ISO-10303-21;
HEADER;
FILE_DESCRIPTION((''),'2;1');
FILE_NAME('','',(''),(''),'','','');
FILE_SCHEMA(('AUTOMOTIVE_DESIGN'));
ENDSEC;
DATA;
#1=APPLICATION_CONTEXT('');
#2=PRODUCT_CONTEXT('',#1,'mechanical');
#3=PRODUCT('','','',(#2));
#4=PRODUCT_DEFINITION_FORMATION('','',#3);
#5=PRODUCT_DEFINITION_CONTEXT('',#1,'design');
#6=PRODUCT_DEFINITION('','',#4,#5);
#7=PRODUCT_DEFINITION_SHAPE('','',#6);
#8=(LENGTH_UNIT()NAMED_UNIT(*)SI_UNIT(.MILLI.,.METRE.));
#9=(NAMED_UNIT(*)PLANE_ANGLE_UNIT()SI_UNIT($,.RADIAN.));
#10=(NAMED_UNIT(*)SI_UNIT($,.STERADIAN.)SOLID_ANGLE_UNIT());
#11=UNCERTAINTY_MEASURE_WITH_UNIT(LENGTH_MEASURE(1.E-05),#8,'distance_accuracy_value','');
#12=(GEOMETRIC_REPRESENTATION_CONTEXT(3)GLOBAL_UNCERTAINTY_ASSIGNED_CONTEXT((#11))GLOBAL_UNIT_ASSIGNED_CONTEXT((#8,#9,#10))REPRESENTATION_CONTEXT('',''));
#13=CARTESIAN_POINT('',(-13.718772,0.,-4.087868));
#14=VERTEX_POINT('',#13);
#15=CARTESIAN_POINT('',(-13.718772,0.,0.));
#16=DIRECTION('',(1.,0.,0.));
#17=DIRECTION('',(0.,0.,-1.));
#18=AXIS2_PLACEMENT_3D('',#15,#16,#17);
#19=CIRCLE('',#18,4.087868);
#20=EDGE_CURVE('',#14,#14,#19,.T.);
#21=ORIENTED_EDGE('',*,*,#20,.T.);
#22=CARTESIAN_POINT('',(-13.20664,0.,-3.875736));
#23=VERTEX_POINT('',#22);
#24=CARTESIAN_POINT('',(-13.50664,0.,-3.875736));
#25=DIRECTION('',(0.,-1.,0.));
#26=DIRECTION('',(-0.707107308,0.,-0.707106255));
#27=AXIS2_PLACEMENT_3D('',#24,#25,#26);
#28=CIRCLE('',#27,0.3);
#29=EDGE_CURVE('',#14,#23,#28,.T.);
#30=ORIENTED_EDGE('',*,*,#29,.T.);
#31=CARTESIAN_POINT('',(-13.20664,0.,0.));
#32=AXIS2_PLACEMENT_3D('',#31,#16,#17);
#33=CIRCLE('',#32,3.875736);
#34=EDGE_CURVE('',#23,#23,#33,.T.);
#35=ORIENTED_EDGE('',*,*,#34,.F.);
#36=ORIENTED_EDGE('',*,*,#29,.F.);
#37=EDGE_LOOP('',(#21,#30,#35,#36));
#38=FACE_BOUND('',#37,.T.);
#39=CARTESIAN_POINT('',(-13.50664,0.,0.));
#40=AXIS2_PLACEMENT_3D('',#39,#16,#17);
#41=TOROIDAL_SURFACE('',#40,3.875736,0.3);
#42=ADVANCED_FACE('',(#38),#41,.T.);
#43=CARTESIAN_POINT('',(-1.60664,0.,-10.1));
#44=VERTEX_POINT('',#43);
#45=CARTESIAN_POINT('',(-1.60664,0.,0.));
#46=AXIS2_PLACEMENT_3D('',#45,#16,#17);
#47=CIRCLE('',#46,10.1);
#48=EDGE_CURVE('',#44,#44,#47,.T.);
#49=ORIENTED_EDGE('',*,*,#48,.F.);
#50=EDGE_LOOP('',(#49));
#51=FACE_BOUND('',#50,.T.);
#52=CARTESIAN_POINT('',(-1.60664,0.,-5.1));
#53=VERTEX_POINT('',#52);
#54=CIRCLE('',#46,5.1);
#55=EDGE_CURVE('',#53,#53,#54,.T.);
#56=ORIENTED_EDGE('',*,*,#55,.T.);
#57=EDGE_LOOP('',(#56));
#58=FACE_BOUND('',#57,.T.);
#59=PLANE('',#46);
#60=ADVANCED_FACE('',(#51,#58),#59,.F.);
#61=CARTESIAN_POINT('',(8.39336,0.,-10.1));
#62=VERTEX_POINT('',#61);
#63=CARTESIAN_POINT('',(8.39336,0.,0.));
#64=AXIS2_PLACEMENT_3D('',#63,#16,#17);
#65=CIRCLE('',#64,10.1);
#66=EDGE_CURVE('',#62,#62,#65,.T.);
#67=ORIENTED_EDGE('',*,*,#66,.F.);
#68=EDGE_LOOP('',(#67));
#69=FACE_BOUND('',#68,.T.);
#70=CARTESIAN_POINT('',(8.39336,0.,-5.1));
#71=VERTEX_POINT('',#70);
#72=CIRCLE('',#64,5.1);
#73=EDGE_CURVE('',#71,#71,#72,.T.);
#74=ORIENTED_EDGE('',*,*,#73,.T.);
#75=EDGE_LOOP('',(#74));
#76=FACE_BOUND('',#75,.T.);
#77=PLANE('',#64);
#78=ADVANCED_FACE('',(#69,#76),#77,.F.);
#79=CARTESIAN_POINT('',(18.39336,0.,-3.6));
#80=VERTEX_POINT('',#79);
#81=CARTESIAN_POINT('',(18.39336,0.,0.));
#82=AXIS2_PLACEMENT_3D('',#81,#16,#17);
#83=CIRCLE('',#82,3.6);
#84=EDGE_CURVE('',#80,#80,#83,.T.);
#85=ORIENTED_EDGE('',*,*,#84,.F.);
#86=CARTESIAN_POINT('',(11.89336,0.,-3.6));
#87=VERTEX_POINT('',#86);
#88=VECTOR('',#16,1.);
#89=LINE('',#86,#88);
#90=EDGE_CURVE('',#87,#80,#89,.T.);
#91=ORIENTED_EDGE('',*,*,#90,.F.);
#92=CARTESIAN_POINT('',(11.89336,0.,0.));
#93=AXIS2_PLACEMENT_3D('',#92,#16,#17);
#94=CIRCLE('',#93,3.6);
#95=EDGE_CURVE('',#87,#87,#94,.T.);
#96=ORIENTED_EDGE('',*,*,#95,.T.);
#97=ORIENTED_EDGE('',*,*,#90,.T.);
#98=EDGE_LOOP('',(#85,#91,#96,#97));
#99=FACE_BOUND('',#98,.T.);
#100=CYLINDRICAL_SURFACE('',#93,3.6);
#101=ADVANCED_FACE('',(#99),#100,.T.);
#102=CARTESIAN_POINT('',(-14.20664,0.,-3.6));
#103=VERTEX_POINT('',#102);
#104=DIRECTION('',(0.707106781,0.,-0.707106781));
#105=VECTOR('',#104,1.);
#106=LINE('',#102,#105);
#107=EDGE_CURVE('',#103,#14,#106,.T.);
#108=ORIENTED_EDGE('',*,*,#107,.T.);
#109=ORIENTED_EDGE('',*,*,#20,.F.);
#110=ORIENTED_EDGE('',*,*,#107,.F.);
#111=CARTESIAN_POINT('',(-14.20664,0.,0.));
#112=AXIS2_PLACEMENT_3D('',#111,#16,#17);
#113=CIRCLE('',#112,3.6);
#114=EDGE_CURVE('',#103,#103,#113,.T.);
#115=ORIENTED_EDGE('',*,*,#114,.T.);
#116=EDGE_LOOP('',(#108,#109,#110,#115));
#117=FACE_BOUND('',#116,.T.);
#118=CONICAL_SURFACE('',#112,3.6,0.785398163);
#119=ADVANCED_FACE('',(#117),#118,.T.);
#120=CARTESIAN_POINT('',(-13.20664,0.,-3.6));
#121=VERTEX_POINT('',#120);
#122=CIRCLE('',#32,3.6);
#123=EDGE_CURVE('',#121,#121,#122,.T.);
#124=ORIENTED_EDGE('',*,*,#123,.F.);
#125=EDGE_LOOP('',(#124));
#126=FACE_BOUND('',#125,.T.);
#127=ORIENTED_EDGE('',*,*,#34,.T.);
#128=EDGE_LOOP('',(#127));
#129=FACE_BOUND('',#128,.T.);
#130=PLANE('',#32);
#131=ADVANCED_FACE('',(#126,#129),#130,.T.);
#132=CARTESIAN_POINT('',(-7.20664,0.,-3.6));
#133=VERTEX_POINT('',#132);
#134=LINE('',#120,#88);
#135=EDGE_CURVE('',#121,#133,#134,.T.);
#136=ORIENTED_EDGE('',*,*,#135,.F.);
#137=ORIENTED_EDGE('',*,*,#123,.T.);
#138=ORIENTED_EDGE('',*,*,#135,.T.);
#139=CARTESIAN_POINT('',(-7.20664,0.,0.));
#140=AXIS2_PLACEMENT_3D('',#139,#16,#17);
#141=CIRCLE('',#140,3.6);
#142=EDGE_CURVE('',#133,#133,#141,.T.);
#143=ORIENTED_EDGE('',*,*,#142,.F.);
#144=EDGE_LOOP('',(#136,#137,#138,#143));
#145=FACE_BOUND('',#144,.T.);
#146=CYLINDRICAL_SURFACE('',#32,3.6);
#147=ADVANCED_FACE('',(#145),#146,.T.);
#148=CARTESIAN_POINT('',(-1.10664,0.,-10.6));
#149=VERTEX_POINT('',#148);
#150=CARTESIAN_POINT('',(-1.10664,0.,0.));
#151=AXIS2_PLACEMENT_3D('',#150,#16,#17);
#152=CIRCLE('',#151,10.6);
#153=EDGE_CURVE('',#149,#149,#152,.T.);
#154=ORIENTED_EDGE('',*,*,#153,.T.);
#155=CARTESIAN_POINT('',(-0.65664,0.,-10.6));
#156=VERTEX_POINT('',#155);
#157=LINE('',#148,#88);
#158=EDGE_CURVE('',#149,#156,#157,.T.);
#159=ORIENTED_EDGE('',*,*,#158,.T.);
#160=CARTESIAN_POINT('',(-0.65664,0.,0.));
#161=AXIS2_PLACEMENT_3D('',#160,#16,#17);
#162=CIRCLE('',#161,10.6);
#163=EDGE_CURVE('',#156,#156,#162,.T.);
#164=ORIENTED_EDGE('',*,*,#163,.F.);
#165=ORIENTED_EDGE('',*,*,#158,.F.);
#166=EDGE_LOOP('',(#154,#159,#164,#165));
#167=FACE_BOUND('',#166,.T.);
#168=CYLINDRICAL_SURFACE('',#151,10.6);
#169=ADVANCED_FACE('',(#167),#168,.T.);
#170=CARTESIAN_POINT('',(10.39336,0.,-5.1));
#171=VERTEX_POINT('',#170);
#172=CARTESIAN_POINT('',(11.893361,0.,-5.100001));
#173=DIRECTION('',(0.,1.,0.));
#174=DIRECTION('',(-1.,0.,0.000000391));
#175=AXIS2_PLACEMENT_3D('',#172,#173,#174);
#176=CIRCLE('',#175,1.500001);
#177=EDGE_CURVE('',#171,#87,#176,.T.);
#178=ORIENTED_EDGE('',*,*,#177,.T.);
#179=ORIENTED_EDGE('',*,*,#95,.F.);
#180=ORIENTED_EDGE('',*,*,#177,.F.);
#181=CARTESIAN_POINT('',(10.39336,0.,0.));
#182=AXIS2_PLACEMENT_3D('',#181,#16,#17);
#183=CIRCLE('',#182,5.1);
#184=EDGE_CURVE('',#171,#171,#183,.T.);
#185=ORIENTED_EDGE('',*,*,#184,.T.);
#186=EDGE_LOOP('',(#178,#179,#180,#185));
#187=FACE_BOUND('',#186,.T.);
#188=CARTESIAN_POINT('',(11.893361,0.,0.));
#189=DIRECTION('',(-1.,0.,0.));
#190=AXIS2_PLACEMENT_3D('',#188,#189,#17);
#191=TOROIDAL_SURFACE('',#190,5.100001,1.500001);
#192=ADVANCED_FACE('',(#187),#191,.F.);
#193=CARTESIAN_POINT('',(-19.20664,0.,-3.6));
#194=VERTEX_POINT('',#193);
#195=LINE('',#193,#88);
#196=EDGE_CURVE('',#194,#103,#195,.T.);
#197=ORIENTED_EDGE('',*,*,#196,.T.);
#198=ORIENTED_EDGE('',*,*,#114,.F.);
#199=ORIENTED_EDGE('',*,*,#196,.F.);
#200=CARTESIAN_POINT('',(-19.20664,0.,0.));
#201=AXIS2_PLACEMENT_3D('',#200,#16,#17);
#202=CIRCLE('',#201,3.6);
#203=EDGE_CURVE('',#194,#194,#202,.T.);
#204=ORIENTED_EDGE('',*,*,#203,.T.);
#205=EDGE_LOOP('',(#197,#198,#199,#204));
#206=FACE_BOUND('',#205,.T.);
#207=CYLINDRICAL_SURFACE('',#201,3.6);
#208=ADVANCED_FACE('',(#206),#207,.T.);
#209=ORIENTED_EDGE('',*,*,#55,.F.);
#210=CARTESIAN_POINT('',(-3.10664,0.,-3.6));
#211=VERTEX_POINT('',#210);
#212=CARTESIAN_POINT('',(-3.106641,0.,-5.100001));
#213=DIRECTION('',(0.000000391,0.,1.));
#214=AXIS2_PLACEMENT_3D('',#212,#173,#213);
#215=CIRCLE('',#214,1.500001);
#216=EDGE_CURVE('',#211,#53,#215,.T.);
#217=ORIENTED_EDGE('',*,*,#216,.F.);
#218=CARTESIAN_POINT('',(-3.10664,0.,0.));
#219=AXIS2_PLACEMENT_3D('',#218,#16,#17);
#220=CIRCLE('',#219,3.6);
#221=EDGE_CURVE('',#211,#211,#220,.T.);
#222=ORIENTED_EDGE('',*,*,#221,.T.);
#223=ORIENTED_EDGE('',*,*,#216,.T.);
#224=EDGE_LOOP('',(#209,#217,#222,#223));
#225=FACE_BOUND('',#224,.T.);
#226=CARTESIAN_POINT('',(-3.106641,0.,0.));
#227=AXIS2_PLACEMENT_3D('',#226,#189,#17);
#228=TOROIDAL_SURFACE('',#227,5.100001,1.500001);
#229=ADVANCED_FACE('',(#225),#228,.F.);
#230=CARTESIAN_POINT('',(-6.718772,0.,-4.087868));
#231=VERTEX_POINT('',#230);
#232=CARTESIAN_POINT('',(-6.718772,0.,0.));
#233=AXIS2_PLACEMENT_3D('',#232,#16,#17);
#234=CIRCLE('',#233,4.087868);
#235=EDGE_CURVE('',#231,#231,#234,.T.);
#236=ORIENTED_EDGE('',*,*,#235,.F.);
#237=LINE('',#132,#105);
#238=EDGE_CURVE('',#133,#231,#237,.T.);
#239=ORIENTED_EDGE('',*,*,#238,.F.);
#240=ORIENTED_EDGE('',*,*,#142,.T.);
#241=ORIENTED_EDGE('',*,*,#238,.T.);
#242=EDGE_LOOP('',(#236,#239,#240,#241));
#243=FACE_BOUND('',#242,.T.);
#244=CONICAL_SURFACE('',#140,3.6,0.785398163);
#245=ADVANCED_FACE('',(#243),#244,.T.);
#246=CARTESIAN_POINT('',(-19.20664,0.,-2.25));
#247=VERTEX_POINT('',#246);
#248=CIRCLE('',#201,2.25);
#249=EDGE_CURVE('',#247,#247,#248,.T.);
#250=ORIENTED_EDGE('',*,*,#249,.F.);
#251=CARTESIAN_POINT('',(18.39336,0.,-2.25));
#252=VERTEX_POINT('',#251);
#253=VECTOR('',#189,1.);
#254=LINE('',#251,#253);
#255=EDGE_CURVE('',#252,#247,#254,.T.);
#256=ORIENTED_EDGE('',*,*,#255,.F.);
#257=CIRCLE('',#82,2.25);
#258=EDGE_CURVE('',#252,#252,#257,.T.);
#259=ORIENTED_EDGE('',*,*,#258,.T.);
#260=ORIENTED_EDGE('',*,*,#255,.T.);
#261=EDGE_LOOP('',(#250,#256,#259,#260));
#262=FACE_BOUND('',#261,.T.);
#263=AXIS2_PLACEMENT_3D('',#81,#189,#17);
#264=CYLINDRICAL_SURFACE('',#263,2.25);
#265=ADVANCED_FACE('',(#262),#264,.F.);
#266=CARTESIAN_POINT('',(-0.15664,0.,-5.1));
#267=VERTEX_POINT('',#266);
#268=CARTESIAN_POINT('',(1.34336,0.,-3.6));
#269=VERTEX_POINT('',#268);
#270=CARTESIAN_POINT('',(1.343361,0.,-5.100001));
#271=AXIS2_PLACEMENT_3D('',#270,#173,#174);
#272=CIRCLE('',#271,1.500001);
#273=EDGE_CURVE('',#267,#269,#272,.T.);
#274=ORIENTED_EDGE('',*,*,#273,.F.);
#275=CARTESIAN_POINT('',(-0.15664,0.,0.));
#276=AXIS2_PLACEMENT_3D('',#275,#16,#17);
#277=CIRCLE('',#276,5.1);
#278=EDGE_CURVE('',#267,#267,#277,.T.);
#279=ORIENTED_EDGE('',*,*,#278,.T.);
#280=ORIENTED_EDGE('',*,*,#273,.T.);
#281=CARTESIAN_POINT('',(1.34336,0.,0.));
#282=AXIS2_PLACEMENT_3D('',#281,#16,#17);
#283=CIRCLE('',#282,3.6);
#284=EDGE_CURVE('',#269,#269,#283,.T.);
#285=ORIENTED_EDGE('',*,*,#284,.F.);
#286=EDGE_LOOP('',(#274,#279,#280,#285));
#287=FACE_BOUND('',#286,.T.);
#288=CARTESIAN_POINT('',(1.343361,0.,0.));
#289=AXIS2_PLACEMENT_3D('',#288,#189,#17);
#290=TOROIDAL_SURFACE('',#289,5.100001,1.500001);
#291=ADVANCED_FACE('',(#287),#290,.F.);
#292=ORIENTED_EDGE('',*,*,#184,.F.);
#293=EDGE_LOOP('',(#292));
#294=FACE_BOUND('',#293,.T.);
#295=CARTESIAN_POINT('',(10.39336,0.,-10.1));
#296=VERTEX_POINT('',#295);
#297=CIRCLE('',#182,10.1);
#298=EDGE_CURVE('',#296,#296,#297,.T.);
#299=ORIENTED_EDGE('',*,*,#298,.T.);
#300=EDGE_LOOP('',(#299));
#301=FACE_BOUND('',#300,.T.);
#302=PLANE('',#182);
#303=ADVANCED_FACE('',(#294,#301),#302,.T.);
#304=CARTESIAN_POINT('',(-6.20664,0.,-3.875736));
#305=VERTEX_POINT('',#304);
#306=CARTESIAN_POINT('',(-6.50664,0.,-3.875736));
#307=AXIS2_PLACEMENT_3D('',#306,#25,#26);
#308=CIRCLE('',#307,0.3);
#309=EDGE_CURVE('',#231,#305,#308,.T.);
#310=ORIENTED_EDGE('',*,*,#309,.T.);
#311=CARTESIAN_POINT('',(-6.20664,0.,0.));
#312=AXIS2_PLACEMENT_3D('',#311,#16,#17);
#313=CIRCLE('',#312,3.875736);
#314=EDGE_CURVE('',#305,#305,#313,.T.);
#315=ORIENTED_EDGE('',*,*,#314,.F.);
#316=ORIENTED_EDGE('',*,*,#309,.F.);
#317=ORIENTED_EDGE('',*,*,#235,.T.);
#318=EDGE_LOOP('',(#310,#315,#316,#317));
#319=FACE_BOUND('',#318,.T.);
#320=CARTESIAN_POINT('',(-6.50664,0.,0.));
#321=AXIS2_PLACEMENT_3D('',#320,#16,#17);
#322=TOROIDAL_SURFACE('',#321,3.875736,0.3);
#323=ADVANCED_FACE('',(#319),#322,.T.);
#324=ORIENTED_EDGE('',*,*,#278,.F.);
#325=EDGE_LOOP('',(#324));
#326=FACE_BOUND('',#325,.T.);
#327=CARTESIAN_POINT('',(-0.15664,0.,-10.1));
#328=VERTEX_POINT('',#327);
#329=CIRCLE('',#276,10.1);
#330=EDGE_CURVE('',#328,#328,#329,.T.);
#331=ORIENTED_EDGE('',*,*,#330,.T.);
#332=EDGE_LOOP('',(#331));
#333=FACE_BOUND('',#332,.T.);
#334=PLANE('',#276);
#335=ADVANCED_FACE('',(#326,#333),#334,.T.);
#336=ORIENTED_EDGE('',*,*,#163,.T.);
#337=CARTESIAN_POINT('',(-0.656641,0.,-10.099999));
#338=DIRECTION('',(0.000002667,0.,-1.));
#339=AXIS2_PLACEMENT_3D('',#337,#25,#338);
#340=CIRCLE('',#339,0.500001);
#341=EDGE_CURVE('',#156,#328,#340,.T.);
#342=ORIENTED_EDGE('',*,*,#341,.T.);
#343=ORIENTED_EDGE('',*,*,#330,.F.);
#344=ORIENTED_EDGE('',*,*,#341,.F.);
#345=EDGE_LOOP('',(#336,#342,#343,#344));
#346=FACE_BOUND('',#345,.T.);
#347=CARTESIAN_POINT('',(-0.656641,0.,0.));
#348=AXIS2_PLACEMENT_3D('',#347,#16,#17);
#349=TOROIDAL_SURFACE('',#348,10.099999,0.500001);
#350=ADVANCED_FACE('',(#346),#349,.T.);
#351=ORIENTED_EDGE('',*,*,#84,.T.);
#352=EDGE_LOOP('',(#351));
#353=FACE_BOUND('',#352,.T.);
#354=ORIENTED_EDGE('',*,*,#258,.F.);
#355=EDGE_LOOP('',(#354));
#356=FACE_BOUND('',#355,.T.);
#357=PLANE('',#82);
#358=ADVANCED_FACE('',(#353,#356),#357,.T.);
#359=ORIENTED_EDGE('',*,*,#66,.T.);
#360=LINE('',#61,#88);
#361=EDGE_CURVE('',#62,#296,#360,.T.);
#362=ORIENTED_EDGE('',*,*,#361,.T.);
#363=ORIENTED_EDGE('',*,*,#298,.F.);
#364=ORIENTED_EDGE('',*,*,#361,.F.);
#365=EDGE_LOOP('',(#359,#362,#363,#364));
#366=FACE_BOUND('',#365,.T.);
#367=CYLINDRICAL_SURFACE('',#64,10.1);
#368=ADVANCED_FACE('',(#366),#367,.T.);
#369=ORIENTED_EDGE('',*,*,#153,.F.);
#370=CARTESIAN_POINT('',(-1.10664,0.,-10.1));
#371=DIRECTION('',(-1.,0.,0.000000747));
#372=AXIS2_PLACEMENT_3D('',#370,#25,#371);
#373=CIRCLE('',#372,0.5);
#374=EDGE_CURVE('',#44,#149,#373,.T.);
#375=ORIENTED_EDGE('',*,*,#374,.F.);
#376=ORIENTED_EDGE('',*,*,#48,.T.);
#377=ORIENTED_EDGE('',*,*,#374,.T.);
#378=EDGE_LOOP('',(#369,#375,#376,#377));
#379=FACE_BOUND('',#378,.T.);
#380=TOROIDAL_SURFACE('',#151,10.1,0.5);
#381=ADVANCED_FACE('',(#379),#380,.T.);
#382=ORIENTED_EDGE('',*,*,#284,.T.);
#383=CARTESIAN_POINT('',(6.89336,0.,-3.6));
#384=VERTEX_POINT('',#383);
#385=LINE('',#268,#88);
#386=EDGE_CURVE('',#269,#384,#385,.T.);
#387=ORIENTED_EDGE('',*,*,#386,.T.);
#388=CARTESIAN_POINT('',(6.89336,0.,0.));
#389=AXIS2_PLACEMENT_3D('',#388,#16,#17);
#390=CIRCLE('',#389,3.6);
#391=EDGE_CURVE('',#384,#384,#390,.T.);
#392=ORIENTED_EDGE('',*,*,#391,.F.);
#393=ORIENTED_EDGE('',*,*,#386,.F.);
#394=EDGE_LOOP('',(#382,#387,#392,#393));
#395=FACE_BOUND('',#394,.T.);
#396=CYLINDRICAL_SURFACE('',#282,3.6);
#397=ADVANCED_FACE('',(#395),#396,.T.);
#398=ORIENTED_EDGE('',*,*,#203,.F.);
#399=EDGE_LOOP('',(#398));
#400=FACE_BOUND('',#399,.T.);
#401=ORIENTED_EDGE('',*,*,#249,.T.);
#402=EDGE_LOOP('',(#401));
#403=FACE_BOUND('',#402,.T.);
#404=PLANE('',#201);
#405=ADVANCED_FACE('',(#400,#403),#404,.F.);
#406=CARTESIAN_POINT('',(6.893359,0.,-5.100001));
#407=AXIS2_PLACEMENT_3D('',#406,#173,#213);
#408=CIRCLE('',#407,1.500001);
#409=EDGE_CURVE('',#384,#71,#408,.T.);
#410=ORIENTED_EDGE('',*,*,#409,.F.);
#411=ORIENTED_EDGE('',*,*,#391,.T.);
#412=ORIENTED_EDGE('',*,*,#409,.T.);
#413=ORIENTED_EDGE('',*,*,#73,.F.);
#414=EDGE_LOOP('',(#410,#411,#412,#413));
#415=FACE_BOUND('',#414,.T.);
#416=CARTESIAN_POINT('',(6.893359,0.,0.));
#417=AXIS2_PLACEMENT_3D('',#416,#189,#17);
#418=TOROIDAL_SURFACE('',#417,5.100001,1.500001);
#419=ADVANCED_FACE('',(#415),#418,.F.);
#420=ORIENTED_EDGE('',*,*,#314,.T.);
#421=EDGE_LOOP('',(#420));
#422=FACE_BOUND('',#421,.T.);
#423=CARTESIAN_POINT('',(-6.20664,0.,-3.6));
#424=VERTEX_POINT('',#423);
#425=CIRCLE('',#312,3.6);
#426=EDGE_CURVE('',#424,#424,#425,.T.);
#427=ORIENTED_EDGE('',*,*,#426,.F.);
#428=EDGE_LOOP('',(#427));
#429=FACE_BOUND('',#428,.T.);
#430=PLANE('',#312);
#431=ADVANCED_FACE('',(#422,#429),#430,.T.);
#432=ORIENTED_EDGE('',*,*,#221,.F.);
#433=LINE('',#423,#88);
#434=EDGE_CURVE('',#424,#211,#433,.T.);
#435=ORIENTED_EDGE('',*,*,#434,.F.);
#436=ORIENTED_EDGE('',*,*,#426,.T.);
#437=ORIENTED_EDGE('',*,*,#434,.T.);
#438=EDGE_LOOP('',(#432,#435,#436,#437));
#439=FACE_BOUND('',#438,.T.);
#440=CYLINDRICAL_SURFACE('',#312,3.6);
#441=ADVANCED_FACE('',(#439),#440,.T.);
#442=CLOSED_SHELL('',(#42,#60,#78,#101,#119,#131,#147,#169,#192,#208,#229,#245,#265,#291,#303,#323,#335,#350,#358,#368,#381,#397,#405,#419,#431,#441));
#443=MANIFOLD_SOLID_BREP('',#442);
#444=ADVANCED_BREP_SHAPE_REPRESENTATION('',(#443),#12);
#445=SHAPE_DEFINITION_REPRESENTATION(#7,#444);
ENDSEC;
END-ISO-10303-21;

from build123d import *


with BuildPart() as f1:
    # F0 (on Front) → F1 (revolve)
    with BuildSketch(Plane.XZ):
        with BuildLine():
            Line((18.39336, -2.25), (-19.20664, -2.25))
            Line((-19.20664, -2.25), (-19.20664, -3.6))
            Line((-19.20664, -3.6), (-14.20664, -3.6))
            Line((-14.20664, -3.6), (-13.718772, -4.087868))
            ThreePointArc((-13.718772, -4.087868), (-13.391835, -4.1529), (-13.20664, -3.875736))
            Line((-13.20664, -3.875736), (-13.20664, -3.6))
            Line((-13.20664, -3.6), (-7.20664, -3.6))
            Line((-7.20664, -3.6), (-6.718772, -4.087868))
            ThreePointArc((-6.718772, -4.087868), (-6.391835, -4.1529), (-6.20664, -3.875736))
            Line((-6.20664, -3.875736), (-6.20664, -3.6))
            Line((-6.20664, -3.6), (-3.10664, -3.6))
            ThreePointArc((-3.10664, -3.6), (-2.04598, -4.03934), (-1.60664, -5.1))
            Line((-1.60664, -5.1), (-1.60664, -10.1))
            ThreePointArc((-1.60664, -10.1), (-1.460194, -10.453553), (-1.10664, -10.6))
            Line((-1.10664, -10.6), (-0.65664, -10.6))
            ThreePointArc((-0.65664, -10.6), (-0.303087, -10.453553), (-0.15664, -10.1))
            Line((-0.15664, -10.1), (-0.15664, -5.1))
            ThreePointArc((-0.15664, -5.1), (0.2827, -4.03934), (1.34336, -3.6))
            Line((1.34336, -3.6), (6.89336, -3.6))
            ThreePointArc((6.89336, -3.6), (7.95402, -4.03934), (8.39336, -5.1))
            Line((8.39336, -5.1), (8.39336, -10.1))
            Line((8.39336, -10.1), (10.39336, -10.1))
            Line((10.39336, -10.1), (10.39336, -5.1))
            ThreePointArc((10.39336, -5.1), (10.8327, -4.03934), (11.89336, -3.6))
            Line((11.89336, -3.6), (18.39336, -3.6))
            Line((18.39336, -3.6), (18.39336, -2.25))
        make_face()
    revolve(axis=Axis((-0.450039, 0, 0), (1, 0, 0)))


solid = f1.part
